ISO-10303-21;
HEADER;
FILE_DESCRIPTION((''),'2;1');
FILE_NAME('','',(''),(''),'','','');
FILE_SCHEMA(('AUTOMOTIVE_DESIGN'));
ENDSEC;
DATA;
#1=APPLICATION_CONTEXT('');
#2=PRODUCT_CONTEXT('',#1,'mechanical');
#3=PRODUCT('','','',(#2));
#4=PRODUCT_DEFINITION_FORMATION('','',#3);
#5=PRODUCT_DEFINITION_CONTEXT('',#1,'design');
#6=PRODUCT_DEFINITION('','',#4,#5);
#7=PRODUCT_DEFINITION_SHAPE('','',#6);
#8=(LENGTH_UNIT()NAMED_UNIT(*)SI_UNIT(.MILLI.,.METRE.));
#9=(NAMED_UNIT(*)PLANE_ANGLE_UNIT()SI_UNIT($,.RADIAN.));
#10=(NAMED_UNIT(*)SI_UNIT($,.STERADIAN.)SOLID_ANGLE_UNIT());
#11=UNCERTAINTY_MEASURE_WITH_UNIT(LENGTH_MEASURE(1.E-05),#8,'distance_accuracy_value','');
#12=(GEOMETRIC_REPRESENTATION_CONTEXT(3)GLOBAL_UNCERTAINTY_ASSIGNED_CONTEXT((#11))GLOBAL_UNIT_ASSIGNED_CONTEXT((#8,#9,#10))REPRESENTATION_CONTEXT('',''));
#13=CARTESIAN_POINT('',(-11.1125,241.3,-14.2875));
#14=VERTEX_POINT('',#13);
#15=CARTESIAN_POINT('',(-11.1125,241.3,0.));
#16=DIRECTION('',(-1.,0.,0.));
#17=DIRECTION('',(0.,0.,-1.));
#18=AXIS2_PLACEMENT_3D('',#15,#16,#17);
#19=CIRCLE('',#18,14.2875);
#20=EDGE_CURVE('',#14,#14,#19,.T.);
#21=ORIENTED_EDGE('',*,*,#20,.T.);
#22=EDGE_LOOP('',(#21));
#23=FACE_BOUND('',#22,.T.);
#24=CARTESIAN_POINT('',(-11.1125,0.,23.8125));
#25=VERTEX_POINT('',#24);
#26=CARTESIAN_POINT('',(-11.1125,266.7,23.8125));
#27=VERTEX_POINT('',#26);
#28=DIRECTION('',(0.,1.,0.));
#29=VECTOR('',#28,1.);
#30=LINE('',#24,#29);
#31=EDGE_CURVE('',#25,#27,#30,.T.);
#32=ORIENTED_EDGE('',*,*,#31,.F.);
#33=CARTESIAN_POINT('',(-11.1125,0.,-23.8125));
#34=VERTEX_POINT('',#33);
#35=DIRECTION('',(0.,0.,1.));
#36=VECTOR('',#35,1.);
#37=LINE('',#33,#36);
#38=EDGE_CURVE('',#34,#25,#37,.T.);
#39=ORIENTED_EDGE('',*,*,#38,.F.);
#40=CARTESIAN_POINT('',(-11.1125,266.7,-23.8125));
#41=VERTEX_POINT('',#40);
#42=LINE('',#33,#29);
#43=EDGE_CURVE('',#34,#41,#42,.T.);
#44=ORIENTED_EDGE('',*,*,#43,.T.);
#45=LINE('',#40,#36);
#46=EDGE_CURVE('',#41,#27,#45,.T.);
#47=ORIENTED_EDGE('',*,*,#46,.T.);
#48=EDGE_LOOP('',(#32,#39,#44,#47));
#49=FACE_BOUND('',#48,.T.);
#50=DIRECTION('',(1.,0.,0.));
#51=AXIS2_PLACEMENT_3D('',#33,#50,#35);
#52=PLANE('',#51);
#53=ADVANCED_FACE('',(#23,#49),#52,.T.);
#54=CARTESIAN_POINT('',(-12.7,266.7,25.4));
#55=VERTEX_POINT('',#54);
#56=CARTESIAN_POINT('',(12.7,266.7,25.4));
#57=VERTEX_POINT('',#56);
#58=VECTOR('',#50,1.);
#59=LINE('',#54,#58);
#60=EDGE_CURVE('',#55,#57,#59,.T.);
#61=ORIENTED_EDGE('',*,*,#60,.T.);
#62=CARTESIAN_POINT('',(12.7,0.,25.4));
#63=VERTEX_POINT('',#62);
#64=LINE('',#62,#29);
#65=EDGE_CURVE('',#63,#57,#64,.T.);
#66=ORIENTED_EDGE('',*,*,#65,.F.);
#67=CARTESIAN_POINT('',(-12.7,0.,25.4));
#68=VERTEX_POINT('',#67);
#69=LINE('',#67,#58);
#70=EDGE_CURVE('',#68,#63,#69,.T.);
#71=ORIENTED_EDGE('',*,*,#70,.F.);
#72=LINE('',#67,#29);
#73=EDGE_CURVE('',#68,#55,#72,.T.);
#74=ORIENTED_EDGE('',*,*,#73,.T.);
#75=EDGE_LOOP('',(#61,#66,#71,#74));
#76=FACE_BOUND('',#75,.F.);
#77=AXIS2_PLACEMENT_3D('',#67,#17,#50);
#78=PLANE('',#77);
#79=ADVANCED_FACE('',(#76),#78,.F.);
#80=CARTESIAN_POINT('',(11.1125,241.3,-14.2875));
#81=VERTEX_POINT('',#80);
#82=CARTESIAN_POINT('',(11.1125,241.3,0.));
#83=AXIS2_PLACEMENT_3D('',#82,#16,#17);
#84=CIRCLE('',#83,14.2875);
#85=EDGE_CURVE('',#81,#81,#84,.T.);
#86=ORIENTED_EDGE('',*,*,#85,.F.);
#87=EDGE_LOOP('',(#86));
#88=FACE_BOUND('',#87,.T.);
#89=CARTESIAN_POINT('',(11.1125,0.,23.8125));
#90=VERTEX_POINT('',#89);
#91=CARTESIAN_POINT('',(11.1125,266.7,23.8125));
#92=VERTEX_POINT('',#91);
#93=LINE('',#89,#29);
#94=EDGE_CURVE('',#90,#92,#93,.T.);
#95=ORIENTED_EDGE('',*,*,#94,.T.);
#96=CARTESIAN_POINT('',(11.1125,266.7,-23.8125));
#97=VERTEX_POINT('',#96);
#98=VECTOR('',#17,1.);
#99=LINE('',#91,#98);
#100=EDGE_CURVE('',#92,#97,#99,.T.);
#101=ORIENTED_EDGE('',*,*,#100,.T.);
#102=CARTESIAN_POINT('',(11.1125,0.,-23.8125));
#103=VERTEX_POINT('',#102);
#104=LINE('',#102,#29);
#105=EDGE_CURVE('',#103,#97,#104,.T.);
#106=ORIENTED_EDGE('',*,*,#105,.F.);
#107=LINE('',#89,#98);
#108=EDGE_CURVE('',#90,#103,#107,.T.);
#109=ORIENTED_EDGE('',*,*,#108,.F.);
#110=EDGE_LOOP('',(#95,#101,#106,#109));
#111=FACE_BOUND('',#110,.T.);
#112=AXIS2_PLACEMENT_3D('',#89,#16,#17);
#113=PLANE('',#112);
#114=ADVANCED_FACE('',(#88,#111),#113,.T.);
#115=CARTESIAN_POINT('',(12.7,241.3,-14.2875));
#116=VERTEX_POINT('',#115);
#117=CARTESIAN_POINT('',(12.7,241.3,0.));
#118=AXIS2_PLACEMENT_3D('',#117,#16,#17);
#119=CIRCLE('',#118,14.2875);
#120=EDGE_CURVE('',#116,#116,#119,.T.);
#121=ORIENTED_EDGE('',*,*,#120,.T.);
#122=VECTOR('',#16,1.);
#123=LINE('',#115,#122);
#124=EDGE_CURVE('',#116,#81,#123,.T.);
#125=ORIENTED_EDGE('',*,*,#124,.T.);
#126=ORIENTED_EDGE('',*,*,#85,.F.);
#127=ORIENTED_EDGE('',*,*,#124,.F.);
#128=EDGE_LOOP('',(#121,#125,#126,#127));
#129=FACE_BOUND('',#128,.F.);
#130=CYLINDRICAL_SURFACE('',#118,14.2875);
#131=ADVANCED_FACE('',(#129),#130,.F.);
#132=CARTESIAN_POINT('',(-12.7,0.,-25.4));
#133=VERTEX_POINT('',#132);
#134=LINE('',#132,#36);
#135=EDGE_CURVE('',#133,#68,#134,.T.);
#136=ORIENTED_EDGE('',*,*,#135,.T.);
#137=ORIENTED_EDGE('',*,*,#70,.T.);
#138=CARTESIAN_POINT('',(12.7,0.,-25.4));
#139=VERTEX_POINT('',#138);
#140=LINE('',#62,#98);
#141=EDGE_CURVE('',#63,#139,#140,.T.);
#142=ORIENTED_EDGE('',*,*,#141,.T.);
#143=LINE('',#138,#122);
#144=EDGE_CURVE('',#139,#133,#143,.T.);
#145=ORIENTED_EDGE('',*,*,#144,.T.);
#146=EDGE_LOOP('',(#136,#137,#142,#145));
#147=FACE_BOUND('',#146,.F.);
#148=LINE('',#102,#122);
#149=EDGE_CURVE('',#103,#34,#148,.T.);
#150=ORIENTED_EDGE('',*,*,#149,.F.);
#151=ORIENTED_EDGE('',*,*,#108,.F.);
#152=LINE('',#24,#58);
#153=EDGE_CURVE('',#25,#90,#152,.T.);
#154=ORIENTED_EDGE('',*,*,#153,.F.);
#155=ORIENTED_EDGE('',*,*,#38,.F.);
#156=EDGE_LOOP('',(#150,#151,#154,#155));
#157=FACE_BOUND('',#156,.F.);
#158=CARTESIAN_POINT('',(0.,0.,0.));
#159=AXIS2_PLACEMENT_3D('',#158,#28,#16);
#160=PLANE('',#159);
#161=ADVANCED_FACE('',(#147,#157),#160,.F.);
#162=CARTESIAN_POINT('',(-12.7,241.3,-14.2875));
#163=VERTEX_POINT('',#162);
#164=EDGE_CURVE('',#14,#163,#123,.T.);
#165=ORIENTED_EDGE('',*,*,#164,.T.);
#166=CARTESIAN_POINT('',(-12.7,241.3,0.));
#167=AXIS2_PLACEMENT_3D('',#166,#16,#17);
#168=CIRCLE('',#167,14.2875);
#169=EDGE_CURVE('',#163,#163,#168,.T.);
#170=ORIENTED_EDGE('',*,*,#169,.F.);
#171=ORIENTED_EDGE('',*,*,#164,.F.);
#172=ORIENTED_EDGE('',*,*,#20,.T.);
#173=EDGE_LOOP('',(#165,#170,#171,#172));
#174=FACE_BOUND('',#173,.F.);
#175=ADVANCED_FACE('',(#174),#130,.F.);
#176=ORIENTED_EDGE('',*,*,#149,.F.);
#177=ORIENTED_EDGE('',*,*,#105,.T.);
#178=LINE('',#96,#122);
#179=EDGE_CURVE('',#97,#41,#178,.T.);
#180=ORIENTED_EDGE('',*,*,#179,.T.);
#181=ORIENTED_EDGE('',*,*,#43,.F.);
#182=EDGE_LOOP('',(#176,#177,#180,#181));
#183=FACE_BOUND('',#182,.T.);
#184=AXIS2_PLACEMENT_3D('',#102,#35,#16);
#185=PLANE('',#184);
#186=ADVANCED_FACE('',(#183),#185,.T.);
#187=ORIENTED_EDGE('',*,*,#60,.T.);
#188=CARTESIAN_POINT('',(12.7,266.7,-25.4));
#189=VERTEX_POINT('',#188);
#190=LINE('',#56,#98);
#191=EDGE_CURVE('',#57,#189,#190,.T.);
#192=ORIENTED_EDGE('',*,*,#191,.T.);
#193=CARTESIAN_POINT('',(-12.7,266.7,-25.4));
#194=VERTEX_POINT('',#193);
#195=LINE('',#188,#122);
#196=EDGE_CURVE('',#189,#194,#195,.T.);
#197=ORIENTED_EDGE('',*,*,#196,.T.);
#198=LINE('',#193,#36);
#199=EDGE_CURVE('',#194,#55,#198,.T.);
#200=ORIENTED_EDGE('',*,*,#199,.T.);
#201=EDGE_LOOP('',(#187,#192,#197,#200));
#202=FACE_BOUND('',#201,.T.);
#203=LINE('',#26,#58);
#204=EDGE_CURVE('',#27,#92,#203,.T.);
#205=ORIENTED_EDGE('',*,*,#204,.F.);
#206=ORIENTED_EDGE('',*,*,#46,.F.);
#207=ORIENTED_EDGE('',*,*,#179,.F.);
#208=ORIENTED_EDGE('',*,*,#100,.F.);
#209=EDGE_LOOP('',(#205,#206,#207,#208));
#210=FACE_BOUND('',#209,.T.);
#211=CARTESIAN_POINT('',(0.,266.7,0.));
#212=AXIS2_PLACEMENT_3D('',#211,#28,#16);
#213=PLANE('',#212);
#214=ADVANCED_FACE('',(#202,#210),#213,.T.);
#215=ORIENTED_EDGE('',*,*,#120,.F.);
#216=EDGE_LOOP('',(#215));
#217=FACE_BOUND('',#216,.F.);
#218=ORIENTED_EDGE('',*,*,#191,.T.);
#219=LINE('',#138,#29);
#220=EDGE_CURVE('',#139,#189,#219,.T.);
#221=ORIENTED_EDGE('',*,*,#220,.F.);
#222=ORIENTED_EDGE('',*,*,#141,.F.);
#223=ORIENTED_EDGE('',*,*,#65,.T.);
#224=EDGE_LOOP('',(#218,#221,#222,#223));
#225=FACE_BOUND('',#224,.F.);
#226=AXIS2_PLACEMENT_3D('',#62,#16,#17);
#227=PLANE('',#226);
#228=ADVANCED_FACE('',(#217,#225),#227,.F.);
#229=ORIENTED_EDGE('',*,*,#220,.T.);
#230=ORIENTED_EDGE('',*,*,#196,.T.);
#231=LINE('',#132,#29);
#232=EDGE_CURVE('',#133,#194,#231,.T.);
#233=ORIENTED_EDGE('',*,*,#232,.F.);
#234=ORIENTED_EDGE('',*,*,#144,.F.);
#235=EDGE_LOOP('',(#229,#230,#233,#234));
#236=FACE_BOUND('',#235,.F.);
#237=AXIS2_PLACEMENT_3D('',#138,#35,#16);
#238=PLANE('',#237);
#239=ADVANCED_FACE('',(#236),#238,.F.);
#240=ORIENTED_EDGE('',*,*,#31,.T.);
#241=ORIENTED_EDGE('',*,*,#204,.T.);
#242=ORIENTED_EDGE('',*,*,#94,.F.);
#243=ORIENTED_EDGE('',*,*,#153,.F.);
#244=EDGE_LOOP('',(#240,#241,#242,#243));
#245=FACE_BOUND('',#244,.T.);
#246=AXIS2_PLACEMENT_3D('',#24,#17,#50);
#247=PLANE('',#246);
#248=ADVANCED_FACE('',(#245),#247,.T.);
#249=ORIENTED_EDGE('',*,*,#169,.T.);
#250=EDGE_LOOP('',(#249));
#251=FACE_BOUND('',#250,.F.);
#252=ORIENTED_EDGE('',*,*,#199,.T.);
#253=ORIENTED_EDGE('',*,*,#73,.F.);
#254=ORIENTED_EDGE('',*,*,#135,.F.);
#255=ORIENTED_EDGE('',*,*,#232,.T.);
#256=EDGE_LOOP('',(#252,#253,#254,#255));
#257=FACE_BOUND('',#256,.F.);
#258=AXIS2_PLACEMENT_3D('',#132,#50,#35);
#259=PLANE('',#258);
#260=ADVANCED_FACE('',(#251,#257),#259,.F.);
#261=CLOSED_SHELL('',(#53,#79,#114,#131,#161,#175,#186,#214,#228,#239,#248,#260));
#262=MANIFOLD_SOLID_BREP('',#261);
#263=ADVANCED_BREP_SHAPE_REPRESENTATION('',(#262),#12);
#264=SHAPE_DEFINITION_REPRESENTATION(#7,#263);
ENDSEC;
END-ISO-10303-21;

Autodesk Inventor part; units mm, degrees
ref_plane "YZ Plane" through (0, 0, 0) normal (1, 0, 0) x (0, 1, 0)
ref_plane "XZ Plane" through (0, 0, 0) normal (0, 1, 0) x (-1, 0, 0)
ref_plane "XY Plane" through (0, 0, 0) normal (0, 0, 1) x (1, 0, 0)
sketch "Sketch1" plane through (0, 0, 0) normal (0, 1, 0) x (-1, 0, 0)
  line L0 (12.7, 25.4) -> (-12.7, 25.4)
  line L1 (-12.7, 25.4) -> (-12.7, -25.4)
  line L2 (-12.7, -25.4) -> (12.7, -25.4)
  line L3 (12.7, -25.4) -> (12.7, 25.4)
  line L4 (12.7, 25.4) -> (-12.7, -25.4) construction
  line L5 (-12.7, 25.4) -> (12.7, -25.4) construction
  line L6 (11.1125, 23.8125) -> (-11.1125, 23.8125)
  line L7 (-11.1125, 23.8125) -> (-11.1125, -23.8125)
  line L8 (-11.1125, -23.8125) -> (11.1125, -23.8125)
  line L9 (11.1125, -23.8125) -> (11.1125, 23.8125)
  line L10 (11.1125, 23.8125) -> (-11.1125, -23.8125) construction
  line L11 (-11.1125, 23.8125) -> (11.1125, -23.8125) construction
  point P0 (0, 0)
  dimension "d0" = 25.4
  dimension "d1" = 50.8
  dimension "d2" = 22.225
  dimension "d3" = 47.625
extrude "Extrusion1" add sketch "Sketch1" along normal blind 266.7
sketch "Sketch2" plane through (12.7, 0, 25.4) normal (1, 0, 0) x (0, 0, -1)
  line L0 (0, 266.7) -> (50.8, 266.7) projected
  line L1 (0, 0) -> (0, 266.7) projected
  point P0 (25.4, 0)
  point P1 (25.4, 241.3)
  dimension "d13" = 25.4
  dimension "d14" = 25.4
hole "Hole1" at (12.7, 241.3, 0) direction (-1, 0, 0) diameter 28.575 end through all
properties part number "Spool brace"
